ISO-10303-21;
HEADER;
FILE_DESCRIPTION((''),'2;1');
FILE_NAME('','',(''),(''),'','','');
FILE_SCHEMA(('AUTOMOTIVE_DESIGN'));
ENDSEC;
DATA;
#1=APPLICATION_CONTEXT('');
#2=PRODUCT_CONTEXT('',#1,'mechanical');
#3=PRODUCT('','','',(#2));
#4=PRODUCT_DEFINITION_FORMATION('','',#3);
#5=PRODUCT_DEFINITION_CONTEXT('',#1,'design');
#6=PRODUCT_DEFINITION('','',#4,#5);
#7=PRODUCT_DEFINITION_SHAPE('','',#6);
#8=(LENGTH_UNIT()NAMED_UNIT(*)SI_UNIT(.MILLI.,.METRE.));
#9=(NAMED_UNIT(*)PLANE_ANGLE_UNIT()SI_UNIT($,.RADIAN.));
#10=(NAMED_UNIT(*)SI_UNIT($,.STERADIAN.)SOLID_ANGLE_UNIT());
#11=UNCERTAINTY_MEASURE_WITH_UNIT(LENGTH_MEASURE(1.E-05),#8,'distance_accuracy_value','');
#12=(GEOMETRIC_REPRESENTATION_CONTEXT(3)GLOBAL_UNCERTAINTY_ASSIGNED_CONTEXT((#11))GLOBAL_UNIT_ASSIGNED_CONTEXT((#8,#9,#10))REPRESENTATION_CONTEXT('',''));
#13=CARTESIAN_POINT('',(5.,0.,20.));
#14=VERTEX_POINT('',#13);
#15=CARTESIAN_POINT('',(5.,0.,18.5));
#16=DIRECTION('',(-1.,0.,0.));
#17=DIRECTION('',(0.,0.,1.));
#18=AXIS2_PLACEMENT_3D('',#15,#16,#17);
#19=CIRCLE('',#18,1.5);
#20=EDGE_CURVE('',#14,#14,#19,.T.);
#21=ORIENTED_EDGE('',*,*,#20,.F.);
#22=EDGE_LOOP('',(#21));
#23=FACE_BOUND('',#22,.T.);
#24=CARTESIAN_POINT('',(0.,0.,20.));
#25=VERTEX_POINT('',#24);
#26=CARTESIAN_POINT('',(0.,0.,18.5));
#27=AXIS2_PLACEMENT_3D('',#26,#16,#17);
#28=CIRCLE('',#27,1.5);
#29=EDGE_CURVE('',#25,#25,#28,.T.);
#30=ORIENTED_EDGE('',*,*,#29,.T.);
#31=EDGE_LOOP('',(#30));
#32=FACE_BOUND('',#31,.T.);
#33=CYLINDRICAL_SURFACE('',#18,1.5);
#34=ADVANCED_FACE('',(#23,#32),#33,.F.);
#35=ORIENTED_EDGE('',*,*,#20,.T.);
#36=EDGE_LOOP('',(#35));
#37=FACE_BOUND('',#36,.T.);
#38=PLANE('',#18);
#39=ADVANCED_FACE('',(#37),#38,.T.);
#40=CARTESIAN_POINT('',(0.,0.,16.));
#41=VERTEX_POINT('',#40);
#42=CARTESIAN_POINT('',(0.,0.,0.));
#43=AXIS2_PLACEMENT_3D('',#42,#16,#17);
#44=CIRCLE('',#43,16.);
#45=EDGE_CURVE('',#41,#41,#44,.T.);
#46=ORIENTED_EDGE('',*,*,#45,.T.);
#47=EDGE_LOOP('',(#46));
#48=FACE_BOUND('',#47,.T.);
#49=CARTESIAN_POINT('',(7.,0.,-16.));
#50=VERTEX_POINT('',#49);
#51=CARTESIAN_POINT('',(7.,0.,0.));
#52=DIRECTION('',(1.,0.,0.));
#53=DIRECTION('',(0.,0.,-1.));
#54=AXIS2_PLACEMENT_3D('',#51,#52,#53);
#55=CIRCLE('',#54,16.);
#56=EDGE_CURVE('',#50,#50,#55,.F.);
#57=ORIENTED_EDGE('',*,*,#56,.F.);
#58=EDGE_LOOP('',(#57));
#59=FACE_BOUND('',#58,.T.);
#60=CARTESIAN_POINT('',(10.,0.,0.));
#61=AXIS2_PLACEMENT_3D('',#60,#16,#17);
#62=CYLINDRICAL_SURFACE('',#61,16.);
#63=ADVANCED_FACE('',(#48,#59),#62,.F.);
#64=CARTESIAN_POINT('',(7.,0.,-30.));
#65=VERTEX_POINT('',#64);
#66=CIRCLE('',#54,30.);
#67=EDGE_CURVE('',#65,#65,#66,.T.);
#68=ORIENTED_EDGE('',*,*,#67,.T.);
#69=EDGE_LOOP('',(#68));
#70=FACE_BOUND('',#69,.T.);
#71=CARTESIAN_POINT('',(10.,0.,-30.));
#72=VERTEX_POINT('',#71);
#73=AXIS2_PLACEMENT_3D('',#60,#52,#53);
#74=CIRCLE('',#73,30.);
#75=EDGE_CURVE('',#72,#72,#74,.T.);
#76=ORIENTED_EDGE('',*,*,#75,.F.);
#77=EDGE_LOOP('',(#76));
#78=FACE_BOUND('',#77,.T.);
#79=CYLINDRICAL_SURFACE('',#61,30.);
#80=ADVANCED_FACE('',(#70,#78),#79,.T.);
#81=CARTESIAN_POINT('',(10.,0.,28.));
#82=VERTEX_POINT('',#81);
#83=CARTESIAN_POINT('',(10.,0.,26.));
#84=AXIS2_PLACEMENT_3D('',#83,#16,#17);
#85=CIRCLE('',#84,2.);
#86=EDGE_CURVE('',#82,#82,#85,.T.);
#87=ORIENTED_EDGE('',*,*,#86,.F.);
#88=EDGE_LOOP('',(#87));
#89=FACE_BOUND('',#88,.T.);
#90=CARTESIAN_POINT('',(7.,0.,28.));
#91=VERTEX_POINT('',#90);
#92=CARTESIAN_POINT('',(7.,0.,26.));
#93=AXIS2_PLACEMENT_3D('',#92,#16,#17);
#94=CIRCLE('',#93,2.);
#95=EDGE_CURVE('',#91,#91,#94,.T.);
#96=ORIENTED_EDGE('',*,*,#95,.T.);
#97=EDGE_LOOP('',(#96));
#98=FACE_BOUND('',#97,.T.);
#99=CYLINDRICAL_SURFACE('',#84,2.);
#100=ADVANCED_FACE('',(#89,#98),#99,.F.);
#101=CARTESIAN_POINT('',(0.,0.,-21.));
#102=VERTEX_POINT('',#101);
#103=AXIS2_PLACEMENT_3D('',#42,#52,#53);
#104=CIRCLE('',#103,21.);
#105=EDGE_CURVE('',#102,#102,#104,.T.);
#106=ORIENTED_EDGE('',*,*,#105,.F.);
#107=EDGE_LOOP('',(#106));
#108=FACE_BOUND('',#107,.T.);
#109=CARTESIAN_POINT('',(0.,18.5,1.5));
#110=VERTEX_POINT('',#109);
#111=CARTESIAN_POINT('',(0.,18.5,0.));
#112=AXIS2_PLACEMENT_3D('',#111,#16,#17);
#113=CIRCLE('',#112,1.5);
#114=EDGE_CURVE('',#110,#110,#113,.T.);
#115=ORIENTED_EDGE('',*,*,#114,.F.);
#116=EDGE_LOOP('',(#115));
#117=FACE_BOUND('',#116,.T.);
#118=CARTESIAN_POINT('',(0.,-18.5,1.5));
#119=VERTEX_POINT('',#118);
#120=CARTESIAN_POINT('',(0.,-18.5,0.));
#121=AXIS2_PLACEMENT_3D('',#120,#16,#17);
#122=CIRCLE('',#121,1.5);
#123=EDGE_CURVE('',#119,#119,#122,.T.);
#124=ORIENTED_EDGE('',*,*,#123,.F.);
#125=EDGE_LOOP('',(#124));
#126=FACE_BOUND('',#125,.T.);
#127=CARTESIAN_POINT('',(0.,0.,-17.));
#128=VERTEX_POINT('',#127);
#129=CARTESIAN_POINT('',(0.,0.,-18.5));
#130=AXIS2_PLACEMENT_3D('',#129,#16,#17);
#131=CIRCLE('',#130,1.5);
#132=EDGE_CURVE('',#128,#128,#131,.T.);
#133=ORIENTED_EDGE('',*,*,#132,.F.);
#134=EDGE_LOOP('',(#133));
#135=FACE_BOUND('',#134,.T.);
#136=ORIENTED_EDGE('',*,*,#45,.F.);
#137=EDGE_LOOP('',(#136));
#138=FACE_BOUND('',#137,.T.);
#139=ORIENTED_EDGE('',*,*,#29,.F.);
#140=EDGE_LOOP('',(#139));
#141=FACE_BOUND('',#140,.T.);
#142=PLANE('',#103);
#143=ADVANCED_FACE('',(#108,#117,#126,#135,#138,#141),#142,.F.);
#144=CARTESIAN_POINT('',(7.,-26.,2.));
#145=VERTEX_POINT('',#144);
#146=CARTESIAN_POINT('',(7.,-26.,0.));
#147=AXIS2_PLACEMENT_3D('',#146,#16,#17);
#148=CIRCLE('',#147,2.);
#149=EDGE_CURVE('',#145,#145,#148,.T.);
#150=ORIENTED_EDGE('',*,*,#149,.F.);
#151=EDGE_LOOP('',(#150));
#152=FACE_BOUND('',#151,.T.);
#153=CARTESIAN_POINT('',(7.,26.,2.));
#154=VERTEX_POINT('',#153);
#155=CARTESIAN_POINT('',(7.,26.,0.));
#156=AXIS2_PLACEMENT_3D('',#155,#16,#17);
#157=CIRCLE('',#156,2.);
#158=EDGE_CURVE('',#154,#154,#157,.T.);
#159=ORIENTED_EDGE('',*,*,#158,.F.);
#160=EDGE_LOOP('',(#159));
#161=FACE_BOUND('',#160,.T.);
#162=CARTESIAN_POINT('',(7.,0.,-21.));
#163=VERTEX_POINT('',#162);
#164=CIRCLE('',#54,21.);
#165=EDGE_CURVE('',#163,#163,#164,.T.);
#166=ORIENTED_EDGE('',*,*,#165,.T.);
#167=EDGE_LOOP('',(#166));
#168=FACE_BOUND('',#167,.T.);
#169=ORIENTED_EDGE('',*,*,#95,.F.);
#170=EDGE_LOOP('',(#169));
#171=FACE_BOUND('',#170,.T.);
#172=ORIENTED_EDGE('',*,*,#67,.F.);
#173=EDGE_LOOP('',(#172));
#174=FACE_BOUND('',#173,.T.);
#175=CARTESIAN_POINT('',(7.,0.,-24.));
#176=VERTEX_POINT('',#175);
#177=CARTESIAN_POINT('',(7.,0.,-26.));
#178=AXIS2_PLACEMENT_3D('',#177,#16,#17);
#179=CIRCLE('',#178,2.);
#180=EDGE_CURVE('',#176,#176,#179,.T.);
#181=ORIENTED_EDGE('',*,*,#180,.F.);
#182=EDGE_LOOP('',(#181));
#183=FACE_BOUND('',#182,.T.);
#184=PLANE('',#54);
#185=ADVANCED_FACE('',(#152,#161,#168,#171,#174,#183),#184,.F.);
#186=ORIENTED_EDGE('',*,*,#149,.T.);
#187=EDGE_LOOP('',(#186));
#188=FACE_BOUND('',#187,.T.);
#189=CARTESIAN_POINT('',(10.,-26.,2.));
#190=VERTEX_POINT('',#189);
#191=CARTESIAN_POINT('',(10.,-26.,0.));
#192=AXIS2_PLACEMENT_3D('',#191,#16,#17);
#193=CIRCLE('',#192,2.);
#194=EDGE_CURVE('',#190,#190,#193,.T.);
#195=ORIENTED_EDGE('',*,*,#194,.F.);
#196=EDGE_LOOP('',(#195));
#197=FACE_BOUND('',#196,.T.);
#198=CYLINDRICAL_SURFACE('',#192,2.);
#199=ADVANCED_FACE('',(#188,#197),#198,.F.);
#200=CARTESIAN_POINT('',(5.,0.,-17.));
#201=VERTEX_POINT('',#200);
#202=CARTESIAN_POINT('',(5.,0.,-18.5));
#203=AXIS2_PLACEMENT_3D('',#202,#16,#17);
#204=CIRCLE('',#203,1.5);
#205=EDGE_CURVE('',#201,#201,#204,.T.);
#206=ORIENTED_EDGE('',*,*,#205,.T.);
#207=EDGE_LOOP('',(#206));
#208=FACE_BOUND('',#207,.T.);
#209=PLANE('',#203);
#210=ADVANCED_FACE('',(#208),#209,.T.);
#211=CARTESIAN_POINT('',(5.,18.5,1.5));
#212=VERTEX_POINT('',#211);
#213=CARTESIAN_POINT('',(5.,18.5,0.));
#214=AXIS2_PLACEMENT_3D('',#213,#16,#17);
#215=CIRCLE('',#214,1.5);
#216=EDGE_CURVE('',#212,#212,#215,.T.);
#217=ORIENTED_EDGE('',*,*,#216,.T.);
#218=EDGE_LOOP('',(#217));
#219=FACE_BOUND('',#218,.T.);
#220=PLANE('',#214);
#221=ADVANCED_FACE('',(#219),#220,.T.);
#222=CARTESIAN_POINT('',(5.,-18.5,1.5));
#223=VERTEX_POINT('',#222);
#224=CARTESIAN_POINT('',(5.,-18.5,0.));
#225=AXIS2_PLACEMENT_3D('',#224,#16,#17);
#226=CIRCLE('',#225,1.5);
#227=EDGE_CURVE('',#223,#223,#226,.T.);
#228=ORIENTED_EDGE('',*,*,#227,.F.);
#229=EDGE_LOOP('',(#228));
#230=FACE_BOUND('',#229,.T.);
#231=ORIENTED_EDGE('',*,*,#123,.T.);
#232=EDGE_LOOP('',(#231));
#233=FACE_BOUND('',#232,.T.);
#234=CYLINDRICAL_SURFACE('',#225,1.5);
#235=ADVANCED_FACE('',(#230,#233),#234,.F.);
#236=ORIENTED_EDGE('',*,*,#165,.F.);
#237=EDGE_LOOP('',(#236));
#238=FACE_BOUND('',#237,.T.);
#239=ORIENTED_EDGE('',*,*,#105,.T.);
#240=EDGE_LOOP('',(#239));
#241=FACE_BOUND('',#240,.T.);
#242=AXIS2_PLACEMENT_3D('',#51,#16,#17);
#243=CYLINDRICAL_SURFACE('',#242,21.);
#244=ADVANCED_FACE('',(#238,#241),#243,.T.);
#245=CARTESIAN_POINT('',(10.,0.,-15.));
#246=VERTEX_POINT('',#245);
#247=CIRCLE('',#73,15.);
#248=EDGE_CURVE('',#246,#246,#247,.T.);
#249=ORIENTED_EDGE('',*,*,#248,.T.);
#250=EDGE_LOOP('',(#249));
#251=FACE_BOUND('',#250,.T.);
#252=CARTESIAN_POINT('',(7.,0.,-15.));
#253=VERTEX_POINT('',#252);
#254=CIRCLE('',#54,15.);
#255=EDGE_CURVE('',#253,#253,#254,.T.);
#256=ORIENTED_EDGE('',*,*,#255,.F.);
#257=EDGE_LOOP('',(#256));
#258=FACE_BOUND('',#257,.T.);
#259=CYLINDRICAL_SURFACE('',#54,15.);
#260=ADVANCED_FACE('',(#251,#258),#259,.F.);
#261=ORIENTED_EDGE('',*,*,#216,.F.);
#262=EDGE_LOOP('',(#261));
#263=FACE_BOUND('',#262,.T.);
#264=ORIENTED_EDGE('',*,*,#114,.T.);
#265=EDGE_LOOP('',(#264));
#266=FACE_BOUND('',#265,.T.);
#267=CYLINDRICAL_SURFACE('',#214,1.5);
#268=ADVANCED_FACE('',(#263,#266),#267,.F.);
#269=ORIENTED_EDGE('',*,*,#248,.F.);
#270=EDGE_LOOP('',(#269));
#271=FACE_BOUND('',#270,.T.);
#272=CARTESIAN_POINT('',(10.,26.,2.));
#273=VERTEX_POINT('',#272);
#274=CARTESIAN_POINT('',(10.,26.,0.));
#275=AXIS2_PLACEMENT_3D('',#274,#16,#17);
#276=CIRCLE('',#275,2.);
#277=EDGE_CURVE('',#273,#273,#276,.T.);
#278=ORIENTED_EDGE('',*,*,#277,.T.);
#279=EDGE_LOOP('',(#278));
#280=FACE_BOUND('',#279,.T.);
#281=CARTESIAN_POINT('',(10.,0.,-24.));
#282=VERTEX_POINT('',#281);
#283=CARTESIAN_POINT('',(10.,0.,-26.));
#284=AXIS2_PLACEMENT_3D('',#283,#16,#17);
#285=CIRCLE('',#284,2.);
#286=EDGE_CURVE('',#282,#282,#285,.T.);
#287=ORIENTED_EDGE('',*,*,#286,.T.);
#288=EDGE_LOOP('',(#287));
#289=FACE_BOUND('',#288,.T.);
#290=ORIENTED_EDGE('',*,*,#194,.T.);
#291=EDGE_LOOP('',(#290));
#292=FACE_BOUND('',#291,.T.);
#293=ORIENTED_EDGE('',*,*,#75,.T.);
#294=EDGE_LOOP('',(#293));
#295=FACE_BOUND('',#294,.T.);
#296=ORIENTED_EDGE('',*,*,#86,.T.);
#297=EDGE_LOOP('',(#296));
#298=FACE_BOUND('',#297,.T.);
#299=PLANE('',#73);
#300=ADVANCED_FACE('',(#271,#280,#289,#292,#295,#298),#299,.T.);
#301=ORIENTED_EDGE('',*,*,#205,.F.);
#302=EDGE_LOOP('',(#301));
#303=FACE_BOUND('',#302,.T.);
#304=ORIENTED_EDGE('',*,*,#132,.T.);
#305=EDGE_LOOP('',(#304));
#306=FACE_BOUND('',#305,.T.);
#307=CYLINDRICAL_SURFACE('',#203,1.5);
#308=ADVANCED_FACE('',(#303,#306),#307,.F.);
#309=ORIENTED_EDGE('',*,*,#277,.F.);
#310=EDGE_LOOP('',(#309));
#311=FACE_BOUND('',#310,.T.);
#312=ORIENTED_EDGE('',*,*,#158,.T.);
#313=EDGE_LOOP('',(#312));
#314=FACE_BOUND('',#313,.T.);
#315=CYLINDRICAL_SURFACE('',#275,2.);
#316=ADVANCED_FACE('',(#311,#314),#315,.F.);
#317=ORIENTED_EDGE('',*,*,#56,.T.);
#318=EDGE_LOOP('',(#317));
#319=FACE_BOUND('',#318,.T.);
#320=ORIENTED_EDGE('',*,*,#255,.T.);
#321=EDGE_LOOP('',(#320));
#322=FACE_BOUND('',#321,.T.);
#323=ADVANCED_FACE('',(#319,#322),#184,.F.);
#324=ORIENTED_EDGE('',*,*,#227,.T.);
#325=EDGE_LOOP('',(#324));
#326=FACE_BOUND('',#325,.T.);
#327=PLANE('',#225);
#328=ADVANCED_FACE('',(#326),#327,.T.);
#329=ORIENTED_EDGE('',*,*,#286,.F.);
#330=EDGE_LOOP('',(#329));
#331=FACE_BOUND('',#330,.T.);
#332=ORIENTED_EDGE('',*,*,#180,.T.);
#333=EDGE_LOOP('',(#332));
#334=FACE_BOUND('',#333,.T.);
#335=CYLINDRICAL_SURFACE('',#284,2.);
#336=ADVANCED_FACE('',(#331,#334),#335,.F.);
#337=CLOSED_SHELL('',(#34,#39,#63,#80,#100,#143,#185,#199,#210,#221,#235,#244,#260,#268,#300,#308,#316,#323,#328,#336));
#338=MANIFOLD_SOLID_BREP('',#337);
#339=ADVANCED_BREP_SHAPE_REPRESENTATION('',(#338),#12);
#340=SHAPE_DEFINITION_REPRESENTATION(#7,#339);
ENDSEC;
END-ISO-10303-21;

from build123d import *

# Parameters (mm, degrees)
SKETCH1_R           = 21
BOSS_EXTRUDE1_DEPTH = 7
SKETCH2_R           = 30
BOSS_EXTRUDE2_DEPTH = 3
SKETCH3_R           = 16
CUT_EXTRUDE1_DEPTH  = 44.588989435
SKETCH4_R           = 1.5
CUT_EXTRUDE2_DEPTH  = 5
BOSS_EXTRUDE3_START = -3
SKETCH5_R           = 16
SKETCH5_R_2         = 15
BOSS_EXTRUDE3_DEPTH = 3
SKETCH6_R           = 2
CUT_EXTRUDE3_DEPTH  = 44


with BuildPart() as part:
    # Sketch1 → Boss-Extrude1 (new body)
    with BuildSketch(Plane(origin=(0, 0, 0), x_dir=(0, 0, -1), z_dir=(1, 0, 0))):
        Circle(SKETCH1_R)
    extrude(amount=BOSS_EXTRUDE1_DEPTH)

    # Sketch2 → Boss-Extrude2 (add)
    with BuildSketch(Plane(origin=(7, 0, 0), x_dir=(0, 0, -1), z_dir=(1, 0, 0))):
        Circle(SKETCH2_R)
    extrude(amount=BOSS_EXTRUDE2_DEPTH)

    # Sketch3 → Cut-Extrude1 (cut, through all)
    with BuildSketch(Plane.ZY):
        Circle(SKETCH3_R)
    extrude(amount=-CUT_EXTRUDE1_DEPTH, mode=Mode.SUBTRACT)

    # Sketch4 → Cut-Extrude2 (cut)
    with BuildSketch(Plane.ZY):
        with Locations((0, 18.5)):
            Circle(SKETCH4_R)
        with Locations((18.5, 0)):
            Circle(SKETCH4_R)
        with Locations((0, -18.5)):
            Circle(SKETCH4_R)
        with Locations((-18.5, 0)):
            Circle(SKETCH4_R)
    extrude(amount=-CUT_EXTRUDE2_DEPTH, mode=Mode.SUBTRACT)

    # Sketch5 → Boss-Extrude3 (add)
    with BuildSketch(Plane(origin=(10, 0, 0), x_dir=(0, 0, -1), z_dir=(1, 0, 0)).offset(BOSS_EXTRUDE3_START)):
        with Locations(Location((0, 0, 0), (0, 0, 180))):
            Circle(SKETCH5_R)
        Circle(SKETCH5_R_2, mode=Mode.SUBTRACT)
    extrude(amount=BOSS_EXTRUDE3_DEPTH)

    # Sketch6 → Cut-Extrude3 (cut, through all)
    with BuildSketch(Plane.ZY.offset(-7)):
        with Locations((0, 26)):
            Circle(SKETCH6_R)
        with Locations((26, 0)):
            Circle(SKETCH6_R)
        with Locations((0, -26)):
            Circle(SKETCH6_R)
        with Locations((-26, 0)):
            Circle(SKETCH6_R)
    extrude(amount=-CUT_EXTRUDE3_DEPTH, mode=Mode.SUBTRACT)


solid = part.part
